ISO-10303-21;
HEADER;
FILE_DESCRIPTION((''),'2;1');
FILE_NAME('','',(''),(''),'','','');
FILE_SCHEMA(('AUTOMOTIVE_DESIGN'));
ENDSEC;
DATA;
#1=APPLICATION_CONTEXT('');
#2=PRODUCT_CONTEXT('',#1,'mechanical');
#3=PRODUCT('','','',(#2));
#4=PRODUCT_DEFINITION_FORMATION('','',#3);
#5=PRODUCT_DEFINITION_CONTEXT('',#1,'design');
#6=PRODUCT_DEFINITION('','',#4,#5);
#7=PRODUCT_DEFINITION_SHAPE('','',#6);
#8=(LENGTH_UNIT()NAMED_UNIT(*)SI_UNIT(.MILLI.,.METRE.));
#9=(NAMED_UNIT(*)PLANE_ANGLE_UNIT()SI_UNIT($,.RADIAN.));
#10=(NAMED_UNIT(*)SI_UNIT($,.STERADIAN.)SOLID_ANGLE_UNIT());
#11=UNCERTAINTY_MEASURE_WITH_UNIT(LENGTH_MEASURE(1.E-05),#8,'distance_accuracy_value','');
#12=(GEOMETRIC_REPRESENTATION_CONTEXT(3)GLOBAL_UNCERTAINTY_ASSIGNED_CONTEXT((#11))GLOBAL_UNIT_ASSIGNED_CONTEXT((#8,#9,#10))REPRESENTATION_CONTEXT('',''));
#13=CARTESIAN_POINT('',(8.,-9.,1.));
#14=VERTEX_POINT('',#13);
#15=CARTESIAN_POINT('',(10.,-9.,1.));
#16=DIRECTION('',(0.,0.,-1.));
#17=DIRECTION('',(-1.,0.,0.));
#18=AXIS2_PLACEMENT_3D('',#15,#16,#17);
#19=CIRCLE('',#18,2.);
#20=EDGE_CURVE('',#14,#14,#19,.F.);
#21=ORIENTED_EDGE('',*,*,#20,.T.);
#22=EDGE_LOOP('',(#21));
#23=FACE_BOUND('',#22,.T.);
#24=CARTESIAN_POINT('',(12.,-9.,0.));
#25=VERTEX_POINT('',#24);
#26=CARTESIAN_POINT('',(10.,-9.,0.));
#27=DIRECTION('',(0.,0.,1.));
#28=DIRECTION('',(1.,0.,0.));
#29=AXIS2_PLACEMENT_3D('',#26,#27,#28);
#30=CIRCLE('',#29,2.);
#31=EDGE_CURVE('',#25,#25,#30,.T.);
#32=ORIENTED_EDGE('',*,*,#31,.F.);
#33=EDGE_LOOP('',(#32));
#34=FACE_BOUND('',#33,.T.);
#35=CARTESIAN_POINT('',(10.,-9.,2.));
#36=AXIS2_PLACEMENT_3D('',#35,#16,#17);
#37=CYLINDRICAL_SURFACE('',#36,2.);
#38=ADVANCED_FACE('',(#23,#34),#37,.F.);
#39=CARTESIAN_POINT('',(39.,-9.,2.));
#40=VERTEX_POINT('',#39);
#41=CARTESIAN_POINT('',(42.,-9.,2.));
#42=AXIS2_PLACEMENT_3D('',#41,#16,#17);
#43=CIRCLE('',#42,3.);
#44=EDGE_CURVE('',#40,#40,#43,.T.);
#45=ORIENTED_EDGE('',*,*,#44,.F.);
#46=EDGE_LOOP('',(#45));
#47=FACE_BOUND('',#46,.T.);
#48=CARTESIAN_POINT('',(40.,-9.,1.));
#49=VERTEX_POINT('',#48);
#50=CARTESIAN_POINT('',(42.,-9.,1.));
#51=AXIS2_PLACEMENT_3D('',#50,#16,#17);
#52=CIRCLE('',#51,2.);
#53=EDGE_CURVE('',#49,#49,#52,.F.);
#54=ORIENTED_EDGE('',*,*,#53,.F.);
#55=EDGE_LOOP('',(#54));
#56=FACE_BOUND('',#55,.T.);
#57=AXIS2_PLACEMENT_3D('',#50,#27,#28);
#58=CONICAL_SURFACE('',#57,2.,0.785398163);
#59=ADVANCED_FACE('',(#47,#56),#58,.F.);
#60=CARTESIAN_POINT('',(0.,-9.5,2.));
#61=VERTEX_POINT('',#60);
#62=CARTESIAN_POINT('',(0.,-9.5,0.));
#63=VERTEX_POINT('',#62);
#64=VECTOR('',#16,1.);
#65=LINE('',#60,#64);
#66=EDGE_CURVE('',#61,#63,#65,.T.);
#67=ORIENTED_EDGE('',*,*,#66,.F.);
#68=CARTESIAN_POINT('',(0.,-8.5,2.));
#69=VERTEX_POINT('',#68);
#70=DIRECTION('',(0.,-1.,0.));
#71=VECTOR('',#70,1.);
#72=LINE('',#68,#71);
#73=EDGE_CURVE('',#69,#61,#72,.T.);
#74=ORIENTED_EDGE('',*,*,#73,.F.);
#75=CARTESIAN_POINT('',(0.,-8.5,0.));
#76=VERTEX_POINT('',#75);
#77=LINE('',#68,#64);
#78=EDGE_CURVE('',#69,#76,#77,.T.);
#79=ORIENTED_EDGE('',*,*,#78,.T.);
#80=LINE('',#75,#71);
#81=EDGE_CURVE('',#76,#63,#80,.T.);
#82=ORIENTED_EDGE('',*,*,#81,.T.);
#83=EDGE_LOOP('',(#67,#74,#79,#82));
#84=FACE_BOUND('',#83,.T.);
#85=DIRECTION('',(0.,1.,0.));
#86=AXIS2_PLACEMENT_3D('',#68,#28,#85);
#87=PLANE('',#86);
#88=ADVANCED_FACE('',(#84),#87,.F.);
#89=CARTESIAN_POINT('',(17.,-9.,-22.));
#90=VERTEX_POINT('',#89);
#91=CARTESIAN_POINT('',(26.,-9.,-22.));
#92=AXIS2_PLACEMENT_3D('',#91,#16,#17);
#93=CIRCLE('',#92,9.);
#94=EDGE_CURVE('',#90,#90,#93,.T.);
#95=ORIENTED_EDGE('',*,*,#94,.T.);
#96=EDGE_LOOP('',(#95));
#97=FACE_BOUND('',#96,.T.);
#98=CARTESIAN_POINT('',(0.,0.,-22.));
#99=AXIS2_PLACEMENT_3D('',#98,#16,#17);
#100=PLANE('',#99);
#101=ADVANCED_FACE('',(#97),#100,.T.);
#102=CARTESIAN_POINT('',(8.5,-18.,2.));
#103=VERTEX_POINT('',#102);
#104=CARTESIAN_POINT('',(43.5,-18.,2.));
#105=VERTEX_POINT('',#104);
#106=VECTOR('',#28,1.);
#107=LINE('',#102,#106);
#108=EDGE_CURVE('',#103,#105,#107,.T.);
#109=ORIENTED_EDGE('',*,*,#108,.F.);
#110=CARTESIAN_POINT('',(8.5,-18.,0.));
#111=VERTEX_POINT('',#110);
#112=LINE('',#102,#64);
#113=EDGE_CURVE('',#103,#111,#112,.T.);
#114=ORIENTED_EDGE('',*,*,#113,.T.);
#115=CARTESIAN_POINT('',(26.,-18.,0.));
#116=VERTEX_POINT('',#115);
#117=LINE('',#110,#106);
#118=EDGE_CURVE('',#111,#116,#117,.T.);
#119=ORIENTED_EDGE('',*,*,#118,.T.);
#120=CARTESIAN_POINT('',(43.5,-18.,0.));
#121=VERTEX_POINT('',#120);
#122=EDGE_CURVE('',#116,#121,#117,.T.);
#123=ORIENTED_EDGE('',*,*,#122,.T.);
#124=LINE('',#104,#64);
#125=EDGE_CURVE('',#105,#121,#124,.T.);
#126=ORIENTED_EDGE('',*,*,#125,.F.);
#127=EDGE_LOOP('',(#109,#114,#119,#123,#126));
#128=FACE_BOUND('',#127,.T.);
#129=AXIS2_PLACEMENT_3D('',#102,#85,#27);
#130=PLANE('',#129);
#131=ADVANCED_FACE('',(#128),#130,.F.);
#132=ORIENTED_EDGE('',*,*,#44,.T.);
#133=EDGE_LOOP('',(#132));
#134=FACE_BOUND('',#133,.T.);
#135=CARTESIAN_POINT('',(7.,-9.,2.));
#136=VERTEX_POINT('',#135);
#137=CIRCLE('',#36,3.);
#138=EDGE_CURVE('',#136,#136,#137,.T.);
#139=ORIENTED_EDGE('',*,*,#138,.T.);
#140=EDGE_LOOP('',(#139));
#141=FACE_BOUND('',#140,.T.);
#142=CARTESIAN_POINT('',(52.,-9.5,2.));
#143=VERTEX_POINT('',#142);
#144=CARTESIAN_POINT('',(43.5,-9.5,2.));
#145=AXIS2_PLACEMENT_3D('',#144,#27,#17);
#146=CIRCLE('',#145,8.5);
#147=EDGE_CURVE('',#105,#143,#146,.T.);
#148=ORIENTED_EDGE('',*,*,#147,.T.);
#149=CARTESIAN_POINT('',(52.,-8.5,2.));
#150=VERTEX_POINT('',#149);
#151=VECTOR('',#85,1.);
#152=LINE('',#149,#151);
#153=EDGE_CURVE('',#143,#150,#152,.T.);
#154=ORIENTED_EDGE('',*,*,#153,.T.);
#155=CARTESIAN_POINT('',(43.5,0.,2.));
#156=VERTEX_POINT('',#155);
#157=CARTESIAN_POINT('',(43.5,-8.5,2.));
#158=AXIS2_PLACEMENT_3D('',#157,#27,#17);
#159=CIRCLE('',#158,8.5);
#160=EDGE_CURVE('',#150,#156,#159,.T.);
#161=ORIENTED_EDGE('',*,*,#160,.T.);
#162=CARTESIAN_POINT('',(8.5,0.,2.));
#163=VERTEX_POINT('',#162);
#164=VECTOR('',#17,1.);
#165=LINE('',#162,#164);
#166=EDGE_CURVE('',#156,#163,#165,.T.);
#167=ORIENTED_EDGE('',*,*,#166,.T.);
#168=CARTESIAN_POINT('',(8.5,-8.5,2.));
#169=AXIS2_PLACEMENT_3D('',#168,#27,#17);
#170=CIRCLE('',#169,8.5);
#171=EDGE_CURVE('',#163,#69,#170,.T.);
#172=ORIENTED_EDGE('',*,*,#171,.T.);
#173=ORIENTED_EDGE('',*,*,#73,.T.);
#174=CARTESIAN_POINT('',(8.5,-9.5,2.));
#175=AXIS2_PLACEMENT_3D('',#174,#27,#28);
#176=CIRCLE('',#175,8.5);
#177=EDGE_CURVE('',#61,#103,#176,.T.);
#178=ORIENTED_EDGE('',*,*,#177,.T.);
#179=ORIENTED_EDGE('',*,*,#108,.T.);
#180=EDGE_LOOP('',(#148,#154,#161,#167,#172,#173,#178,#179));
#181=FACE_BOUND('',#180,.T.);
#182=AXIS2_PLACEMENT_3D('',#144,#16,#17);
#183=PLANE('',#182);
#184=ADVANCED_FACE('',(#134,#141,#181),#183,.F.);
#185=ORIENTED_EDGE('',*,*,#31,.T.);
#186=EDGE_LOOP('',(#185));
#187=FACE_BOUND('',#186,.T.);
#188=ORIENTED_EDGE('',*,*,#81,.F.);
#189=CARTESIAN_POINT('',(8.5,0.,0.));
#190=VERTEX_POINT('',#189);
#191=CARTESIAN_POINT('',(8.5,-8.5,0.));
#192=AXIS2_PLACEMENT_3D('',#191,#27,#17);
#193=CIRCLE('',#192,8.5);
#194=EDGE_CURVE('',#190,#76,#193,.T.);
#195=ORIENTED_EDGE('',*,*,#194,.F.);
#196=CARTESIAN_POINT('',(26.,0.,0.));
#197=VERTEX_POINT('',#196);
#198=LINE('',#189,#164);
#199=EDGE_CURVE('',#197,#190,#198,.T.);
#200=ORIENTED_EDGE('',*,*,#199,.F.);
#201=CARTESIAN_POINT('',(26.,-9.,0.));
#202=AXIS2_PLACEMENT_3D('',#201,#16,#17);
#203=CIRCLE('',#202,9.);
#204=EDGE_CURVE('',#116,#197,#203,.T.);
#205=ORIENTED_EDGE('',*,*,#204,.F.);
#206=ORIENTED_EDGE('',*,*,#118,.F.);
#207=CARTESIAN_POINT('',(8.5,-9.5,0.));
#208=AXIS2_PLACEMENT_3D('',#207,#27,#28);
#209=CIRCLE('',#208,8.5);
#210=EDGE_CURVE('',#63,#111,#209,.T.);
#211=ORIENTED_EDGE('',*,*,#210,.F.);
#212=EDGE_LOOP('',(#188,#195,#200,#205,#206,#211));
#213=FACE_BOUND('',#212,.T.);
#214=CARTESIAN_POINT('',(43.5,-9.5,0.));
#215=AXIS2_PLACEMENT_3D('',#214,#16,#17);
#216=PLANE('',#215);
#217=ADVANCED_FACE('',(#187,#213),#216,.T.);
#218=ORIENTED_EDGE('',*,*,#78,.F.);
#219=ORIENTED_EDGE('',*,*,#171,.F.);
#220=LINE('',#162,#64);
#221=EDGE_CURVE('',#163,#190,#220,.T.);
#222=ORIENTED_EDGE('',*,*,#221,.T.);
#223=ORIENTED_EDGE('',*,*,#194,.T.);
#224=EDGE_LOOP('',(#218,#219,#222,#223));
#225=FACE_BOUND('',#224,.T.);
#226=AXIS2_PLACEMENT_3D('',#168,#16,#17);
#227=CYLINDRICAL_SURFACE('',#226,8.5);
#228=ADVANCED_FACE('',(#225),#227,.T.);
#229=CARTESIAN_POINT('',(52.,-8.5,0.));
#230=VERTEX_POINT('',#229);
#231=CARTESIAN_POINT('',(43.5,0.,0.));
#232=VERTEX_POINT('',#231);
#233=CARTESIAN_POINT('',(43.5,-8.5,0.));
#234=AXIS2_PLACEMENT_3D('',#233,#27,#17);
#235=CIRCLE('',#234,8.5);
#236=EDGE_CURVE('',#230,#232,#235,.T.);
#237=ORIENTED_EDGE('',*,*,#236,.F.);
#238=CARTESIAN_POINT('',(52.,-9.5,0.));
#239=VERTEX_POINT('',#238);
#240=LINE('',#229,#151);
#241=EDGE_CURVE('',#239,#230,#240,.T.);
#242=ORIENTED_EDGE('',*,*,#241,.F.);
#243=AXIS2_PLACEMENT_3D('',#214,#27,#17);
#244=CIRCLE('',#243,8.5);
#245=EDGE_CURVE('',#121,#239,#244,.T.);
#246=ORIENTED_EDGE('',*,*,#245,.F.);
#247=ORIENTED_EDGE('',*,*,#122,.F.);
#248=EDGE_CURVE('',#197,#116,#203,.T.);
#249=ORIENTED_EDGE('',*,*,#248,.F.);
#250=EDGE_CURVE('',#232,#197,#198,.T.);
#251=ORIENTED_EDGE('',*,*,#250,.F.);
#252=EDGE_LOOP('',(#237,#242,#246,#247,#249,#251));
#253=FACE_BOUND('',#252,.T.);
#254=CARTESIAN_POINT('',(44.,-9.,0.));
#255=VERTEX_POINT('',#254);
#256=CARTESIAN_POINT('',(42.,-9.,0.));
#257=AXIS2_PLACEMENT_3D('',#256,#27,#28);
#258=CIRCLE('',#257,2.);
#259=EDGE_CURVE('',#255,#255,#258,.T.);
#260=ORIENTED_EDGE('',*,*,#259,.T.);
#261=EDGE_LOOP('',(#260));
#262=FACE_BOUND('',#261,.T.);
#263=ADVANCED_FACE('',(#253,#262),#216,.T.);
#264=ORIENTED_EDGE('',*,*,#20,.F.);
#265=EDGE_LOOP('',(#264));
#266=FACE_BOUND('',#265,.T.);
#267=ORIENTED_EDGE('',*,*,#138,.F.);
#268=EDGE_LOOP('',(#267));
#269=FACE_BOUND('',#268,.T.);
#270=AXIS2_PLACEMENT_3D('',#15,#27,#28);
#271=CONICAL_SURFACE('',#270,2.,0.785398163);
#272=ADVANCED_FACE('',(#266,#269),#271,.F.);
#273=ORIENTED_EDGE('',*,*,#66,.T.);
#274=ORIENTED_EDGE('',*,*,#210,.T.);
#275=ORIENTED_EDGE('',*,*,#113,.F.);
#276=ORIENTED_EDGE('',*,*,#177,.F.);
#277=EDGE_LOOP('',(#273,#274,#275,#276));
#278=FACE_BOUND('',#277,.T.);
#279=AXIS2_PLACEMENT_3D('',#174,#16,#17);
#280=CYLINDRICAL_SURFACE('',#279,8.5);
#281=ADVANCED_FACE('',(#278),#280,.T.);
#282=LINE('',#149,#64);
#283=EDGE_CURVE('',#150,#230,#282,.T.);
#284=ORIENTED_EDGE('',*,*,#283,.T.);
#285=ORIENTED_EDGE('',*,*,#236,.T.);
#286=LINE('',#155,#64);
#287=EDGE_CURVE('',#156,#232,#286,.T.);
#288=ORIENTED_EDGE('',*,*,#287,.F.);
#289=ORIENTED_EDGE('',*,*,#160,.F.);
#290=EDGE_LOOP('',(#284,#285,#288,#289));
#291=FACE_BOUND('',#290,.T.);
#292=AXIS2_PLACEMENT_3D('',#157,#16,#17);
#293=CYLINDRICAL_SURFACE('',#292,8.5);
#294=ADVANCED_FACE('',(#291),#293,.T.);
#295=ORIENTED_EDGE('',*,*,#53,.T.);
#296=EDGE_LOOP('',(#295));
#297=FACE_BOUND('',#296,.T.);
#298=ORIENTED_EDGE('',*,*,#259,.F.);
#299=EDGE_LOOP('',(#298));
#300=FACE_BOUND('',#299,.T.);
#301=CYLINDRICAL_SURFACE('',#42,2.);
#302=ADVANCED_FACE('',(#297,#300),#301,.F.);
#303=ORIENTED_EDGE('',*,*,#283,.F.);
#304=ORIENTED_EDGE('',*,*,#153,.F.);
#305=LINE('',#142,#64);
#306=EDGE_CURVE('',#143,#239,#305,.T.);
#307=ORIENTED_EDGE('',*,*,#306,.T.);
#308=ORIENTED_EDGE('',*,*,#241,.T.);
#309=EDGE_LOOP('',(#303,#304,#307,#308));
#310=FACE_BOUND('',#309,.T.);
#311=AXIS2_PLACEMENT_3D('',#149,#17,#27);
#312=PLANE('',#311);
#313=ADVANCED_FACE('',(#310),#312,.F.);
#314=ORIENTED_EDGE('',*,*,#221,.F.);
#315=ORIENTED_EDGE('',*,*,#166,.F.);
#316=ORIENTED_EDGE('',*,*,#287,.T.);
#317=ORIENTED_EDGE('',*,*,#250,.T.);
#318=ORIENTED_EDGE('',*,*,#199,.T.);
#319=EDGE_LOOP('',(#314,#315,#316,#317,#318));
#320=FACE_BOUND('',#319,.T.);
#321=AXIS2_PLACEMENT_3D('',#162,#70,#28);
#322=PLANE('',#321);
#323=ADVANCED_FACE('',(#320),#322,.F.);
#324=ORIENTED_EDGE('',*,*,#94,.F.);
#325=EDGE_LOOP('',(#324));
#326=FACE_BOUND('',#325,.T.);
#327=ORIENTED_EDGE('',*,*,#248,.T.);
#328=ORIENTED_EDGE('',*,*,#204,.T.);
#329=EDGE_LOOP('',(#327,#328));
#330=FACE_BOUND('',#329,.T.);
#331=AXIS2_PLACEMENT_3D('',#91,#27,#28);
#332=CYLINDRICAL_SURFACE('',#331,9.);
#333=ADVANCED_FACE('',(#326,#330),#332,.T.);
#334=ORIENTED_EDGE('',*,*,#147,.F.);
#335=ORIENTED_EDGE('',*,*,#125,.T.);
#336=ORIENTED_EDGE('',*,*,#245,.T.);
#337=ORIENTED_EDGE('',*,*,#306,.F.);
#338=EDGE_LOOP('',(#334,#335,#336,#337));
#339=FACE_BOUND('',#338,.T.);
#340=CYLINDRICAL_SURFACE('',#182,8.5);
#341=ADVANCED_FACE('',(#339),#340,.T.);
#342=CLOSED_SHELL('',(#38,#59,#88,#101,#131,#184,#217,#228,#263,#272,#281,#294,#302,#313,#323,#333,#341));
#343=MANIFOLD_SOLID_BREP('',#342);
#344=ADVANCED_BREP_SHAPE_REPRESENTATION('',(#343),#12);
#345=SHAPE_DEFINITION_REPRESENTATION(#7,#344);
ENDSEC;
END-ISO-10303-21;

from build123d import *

# Parameters (mm, degrees)
ESQUISSE1_R        = 2
BOSS_EXTRU_1_DEPTH = 2
BOSS_EXTRU_2_DEPTH = 22
CHANFREIN1_SIZE    = 1


with BuildPart() as part:
    # Esquisse1 → Boss.-Extru.1 (new body)
    with BuildSketch(Plane.XY):
        with BuildLine():
            Line((8.5, 0), (43.5, 0))
            ThreePointArc((43.5, 0), (49.51040764, -2.48959236), (52, -8.5))
            Line((52, -8.5), (52, -9.5))
            ThreePointArc((52, -9.5), (49.51040764, -15.51040764), (43.5, -18))
            Line((43.5, -18), (8.5, -18))
            ThreePointArc((8.5, -18), (2.48959236, -15.51040764), (0, -9.5))
            Line((0, -9.5), (0, -8.5))
            ThreePointArc((0, -8.5), (2.48959236, -2.48959236), (8.5, 0))
        make_face()
        with Locations((10, -9)):
            Circle(ESQUISSE1_R, mode=Mode.SUBTRACT)
        with Locations((42, -9)):
            Circle(ESQUISSE1_R, mode=Mode.SUBTRACT)
    extrude(amount=BOSS_EXTRU_1_DEPTH)

    # Esquisse2 → Boss.-Extru.2 (add)
    with BuildSketch(Plane(origin=(0, 0, 0), x_dir=(-1, 0, 0), z_dir=(0, 0, -1))):
        with BuildLine():
            ThreePointArc((-35, -9), (-32.363961031, -15.363961031), (-26, -18))
            Line((-26, -18), (-26, -9))
            Line((-26, -9), (-35, -9))
        make_face()
        with BuildLine():
            Line((-26, -9), (-26, -18))
            ThreePointArc((-26, -18), (-19.636038969, -15.363961031), (-17, -9))
            Line((-17, -9), (-26, -9))
        make_face()
        with BuildLine():
            Line((-35, -9), (-26, -9))
            Line((-26, -9), (-26, 0))
            ThreePointArc((-26, 0), (-32.363961031, -2.636038969), (-35, -9))
        make_face()
        with BuildLine():
            Line((-26, 0), (-26, -9))
            Line((-26, -9), (-17, -9))
            ThreePointArc((-17, -9), (-19.636038969, -2.636038969), (-26, 0))
        make_face()
    extrude(amount=BOSS_EXTRU_2_DEPTH)

    # Chanfrein1
    chanfrein1_edges = [part.edges().sort_by_distance(p)[0] for p in [
        (8, -9, 2),
        (40, -9, 2),
    ]]
    chamfer(chanfrein1_edges, length=CHANFREIN1_SIZE)


solid = part.part
